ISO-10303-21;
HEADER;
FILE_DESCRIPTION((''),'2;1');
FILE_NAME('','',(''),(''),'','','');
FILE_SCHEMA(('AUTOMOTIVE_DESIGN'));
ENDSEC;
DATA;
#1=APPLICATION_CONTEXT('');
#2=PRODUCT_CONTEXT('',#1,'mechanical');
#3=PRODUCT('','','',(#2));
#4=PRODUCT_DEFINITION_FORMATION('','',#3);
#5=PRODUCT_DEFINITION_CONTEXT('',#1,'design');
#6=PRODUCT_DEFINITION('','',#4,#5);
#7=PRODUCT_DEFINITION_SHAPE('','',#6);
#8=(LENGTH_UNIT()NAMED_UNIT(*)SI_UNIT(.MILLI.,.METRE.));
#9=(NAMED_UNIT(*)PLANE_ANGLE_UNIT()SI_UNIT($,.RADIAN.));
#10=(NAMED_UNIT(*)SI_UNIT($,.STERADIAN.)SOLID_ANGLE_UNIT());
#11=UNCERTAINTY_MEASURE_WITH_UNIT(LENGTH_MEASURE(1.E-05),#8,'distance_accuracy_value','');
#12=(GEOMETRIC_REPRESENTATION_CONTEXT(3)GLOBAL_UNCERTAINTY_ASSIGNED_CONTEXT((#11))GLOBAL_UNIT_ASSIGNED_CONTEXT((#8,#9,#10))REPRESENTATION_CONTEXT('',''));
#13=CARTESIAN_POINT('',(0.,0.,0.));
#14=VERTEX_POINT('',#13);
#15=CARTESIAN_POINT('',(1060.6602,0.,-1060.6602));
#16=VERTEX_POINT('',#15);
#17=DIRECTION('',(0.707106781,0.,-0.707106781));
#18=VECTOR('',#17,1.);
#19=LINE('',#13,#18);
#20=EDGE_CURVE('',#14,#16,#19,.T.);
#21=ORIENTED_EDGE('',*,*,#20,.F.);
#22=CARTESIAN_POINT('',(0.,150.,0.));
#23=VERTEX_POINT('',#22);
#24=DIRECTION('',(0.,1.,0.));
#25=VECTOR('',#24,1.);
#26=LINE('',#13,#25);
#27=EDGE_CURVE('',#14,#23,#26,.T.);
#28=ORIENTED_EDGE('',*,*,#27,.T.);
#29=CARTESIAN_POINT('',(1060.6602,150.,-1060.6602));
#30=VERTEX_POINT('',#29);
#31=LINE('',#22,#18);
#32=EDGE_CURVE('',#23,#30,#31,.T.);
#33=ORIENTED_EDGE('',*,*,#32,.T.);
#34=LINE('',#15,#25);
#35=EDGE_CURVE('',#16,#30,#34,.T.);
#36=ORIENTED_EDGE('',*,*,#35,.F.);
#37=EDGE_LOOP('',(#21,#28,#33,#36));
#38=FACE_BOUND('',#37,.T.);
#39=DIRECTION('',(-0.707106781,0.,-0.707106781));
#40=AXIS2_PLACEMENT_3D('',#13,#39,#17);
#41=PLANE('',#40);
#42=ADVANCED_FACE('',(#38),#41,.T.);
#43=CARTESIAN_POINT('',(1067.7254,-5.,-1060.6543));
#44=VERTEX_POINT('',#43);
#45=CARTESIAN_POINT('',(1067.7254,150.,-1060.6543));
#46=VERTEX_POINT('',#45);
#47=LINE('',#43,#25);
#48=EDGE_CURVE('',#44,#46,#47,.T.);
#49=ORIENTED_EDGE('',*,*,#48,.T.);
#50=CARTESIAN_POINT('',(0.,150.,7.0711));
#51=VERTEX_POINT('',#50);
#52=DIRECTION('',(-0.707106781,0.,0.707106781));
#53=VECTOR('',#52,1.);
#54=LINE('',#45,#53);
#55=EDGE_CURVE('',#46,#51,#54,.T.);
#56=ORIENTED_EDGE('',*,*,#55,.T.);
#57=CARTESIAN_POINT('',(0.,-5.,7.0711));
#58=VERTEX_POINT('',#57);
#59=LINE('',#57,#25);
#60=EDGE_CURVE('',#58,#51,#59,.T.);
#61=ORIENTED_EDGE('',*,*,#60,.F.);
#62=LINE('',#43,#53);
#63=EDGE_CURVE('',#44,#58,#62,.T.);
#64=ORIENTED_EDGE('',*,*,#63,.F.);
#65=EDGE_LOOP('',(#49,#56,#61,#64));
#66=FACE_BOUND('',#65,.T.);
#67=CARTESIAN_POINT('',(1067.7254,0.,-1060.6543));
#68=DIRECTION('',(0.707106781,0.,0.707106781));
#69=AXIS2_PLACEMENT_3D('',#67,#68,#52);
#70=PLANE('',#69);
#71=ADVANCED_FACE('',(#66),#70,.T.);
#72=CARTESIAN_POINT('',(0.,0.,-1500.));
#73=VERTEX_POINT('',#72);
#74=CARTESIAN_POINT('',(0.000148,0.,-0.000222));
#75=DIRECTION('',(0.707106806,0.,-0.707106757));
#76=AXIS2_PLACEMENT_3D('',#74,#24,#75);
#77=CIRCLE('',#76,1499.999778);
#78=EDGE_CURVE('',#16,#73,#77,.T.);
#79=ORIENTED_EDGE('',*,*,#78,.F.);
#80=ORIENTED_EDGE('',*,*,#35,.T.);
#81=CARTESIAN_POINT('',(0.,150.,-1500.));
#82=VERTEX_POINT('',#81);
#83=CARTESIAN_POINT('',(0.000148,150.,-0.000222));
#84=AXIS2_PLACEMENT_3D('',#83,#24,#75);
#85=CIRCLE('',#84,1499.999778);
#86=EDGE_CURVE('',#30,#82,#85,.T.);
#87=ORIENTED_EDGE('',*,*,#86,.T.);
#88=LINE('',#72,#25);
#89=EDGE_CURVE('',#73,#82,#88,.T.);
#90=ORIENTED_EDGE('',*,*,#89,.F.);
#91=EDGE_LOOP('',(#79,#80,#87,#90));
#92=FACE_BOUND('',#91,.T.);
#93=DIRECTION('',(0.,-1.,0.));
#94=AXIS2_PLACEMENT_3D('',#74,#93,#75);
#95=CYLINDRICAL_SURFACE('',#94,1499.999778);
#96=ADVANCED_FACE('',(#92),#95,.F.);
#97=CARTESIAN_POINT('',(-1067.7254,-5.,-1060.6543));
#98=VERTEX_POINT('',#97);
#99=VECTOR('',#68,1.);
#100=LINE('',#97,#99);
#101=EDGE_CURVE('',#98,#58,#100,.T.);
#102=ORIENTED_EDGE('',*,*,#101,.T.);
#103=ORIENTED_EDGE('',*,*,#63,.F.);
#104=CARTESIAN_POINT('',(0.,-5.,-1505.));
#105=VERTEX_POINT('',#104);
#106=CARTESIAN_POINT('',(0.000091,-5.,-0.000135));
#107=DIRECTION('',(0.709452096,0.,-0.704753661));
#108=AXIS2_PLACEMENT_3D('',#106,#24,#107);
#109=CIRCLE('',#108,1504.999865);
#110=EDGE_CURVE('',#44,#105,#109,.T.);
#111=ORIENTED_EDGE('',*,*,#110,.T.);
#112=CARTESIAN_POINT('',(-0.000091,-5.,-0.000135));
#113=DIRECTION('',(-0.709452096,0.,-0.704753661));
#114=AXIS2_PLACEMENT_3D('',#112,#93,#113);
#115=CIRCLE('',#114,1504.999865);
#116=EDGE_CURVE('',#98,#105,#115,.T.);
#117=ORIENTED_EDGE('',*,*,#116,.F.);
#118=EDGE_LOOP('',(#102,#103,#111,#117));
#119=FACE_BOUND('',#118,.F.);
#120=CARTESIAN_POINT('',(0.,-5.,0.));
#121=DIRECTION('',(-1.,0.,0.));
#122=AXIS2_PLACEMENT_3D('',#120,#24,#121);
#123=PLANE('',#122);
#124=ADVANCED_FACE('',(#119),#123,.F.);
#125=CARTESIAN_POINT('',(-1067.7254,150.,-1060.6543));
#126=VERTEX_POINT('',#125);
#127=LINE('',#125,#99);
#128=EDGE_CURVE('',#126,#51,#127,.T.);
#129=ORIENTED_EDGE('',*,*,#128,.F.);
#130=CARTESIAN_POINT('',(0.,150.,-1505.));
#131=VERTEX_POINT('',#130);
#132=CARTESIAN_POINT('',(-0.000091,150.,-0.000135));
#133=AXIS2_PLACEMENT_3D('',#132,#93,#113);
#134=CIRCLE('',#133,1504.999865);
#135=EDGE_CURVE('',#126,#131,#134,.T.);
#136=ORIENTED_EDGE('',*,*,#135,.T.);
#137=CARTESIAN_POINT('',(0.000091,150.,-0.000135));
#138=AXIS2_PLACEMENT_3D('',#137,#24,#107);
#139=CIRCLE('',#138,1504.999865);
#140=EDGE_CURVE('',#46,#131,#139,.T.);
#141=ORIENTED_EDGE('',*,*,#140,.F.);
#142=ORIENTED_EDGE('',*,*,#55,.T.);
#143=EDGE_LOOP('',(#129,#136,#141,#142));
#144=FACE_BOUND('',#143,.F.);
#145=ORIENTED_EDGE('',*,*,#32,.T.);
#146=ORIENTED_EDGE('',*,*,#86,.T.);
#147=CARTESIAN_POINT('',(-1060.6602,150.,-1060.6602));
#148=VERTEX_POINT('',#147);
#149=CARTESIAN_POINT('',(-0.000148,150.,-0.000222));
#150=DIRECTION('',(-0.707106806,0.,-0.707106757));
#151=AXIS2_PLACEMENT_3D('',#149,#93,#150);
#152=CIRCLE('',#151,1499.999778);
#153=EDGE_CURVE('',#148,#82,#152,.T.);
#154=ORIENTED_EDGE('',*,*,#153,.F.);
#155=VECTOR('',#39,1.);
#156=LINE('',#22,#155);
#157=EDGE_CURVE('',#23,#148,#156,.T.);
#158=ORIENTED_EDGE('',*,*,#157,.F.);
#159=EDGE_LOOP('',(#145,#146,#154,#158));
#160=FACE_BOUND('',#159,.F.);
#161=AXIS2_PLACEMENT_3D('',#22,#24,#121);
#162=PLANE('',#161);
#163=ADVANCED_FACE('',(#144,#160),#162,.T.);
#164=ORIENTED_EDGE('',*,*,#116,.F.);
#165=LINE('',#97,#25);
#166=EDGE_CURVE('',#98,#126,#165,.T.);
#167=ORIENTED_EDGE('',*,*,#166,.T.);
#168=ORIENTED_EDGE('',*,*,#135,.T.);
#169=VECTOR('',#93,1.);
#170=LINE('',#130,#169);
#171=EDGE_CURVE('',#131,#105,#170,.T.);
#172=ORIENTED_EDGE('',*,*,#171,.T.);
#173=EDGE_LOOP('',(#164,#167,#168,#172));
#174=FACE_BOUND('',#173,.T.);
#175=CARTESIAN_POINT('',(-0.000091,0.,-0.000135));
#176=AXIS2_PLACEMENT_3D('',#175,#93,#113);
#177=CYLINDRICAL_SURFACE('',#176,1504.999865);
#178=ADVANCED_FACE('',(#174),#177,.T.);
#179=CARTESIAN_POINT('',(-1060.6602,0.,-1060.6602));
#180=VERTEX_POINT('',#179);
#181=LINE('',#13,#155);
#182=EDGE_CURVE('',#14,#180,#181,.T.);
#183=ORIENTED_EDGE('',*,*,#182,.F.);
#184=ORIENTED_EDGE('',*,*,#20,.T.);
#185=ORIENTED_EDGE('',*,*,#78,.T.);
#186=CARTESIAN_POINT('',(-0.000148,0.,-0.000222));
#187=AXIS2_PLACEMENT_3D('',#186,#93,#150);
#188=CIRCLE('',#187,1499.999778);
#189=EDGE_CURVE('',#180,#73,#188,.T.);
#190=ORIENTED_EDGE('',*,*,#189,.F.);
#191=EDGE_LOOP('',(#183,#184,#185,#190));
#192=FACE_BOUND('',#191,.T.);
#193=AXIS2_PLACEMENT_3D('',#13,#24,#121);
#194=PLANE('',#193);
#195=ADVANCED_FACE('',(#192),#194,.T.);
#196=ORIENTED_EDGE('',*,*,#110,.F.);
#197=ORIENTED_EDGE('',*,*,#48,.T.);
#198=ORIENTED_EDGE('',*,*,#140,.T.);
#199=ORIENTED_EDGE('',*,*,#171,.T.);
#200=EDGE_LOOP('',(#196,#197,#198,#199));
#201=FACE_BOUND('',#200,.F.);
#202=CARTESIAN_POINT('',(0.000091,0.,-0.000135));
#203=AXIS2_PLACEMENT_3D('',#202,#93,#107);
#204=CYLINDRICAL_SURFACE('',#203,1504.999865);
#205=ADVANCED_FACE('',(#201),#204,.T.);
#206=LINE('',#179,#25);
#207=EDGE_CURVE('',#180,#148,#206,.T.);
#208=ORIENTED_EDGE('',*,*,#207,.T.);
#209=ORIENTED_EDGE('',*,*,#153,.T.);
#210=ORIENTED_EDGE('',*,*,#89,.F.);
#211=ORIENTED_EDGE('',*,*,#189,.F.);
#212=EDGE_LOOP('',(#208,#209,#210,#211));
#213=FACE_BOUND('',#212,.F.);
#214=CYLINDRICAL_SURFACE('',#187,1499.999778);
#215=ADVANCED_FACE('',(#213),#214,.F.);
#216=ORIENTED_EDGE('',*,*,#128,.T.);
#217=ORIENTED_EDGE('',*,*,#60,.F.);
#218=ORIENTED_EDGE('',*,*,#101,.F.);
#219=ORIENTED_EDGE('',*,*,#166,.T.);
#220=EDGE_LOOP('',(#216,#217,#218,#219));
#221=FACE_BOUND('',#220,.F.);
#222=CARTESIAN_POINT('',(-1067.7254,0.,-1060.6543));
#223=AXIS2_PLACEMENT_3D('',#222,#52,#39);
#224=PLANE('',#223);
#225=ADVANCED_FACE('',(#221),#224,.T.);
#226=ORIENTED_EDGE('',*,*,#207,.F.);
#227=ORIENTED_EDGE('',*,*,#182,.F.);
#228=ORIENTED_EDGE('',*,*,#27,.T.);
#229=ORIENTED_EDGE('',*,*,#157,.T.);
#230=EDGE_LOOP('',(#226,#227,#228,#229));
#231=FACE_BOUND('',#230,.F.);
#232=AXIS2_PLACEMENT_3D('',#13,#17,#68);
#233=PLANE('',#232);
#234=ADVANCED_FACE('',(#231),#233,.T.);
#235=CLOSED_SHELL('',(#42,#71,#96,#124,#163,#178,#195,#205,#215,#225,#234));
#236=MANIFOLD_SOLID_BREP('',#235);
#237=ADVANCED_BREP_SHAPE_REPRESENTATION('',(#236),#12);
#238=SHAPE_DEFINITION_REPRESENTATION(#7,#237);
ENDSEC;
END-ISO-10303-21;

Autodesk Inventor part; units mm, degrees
ref_plane "YZ Plane" through (0, 0, 0) normal (1, 0, 0) x (0, 1, 0)
ref_plane "XZ Plane" through (0, 0, 0) normal (0, 1, 0) x (-1, 0, 0)
ref_plane "XY Plane" through (0, 0, 0) normal (0, 0, 1) x (1, 0, 0)
sketch "草圖1" plane through (0, 0, 0) normal (0, 1, 0) x (-1, 0, 0)
  line L0 (0, 0) -> (-1060.6602, -1060.6602)
  arc A0 (-1060.6602, -1060.6602) -> (0, -1500) centre (0, 0) ccw
  line L1 (0, -1935.3977) -> (0, 330.8159) projected
  arc A1 (-1067.7254, -1060.6543) -> (0, -1505) centre (0, 0) ccw
  line L2 (-1067.7254, -1060.6543) -> (0, 7.0711)
  line L3 (0, 0) -> (1060.6602, -1060.6602)
  arc A2 (0, -1500) -> (1060.6602, -1060.6602) centre (0, 0) ccw
  arc A3 (0, -1505) -> (1067.7254, -1060.6543) centre (0, 0) ccw
  line L4 (1067.7254, -1060.6543) -> (0, 7.0711)
  dimension "d0" = 45
  dimension "d2" = 1500
  dimension "d3" = 5
  dimension "d5" = 5
extrude "擠出1" add sketch "草圖1" against normal blind 5 contours L1 A0 L0 | L0 A0 L1 A1 L2
extrude "擠出6" add sketch "草圖1" along normal blind 150 contours L0 A0 L1 A1 L2
sketch "草圖29" plane through (0, 0, 0) normal (0, 1, 0) x (1, 0, 0)
  line L0 (0, 0) -> (1060.6602, 1060.6602) projected
  arc A0 (1060.6602, 1060.6602) -> (0, 1500) centre (0, 0) ccw projected
  line L1 (0, 1500) -> (0, 0) projected
mirror "鏡射6" about plane through (0, 0, 0) normal (1, 0, 0) of "擠出1", "擠出6"
properties part number "棒球底座"
